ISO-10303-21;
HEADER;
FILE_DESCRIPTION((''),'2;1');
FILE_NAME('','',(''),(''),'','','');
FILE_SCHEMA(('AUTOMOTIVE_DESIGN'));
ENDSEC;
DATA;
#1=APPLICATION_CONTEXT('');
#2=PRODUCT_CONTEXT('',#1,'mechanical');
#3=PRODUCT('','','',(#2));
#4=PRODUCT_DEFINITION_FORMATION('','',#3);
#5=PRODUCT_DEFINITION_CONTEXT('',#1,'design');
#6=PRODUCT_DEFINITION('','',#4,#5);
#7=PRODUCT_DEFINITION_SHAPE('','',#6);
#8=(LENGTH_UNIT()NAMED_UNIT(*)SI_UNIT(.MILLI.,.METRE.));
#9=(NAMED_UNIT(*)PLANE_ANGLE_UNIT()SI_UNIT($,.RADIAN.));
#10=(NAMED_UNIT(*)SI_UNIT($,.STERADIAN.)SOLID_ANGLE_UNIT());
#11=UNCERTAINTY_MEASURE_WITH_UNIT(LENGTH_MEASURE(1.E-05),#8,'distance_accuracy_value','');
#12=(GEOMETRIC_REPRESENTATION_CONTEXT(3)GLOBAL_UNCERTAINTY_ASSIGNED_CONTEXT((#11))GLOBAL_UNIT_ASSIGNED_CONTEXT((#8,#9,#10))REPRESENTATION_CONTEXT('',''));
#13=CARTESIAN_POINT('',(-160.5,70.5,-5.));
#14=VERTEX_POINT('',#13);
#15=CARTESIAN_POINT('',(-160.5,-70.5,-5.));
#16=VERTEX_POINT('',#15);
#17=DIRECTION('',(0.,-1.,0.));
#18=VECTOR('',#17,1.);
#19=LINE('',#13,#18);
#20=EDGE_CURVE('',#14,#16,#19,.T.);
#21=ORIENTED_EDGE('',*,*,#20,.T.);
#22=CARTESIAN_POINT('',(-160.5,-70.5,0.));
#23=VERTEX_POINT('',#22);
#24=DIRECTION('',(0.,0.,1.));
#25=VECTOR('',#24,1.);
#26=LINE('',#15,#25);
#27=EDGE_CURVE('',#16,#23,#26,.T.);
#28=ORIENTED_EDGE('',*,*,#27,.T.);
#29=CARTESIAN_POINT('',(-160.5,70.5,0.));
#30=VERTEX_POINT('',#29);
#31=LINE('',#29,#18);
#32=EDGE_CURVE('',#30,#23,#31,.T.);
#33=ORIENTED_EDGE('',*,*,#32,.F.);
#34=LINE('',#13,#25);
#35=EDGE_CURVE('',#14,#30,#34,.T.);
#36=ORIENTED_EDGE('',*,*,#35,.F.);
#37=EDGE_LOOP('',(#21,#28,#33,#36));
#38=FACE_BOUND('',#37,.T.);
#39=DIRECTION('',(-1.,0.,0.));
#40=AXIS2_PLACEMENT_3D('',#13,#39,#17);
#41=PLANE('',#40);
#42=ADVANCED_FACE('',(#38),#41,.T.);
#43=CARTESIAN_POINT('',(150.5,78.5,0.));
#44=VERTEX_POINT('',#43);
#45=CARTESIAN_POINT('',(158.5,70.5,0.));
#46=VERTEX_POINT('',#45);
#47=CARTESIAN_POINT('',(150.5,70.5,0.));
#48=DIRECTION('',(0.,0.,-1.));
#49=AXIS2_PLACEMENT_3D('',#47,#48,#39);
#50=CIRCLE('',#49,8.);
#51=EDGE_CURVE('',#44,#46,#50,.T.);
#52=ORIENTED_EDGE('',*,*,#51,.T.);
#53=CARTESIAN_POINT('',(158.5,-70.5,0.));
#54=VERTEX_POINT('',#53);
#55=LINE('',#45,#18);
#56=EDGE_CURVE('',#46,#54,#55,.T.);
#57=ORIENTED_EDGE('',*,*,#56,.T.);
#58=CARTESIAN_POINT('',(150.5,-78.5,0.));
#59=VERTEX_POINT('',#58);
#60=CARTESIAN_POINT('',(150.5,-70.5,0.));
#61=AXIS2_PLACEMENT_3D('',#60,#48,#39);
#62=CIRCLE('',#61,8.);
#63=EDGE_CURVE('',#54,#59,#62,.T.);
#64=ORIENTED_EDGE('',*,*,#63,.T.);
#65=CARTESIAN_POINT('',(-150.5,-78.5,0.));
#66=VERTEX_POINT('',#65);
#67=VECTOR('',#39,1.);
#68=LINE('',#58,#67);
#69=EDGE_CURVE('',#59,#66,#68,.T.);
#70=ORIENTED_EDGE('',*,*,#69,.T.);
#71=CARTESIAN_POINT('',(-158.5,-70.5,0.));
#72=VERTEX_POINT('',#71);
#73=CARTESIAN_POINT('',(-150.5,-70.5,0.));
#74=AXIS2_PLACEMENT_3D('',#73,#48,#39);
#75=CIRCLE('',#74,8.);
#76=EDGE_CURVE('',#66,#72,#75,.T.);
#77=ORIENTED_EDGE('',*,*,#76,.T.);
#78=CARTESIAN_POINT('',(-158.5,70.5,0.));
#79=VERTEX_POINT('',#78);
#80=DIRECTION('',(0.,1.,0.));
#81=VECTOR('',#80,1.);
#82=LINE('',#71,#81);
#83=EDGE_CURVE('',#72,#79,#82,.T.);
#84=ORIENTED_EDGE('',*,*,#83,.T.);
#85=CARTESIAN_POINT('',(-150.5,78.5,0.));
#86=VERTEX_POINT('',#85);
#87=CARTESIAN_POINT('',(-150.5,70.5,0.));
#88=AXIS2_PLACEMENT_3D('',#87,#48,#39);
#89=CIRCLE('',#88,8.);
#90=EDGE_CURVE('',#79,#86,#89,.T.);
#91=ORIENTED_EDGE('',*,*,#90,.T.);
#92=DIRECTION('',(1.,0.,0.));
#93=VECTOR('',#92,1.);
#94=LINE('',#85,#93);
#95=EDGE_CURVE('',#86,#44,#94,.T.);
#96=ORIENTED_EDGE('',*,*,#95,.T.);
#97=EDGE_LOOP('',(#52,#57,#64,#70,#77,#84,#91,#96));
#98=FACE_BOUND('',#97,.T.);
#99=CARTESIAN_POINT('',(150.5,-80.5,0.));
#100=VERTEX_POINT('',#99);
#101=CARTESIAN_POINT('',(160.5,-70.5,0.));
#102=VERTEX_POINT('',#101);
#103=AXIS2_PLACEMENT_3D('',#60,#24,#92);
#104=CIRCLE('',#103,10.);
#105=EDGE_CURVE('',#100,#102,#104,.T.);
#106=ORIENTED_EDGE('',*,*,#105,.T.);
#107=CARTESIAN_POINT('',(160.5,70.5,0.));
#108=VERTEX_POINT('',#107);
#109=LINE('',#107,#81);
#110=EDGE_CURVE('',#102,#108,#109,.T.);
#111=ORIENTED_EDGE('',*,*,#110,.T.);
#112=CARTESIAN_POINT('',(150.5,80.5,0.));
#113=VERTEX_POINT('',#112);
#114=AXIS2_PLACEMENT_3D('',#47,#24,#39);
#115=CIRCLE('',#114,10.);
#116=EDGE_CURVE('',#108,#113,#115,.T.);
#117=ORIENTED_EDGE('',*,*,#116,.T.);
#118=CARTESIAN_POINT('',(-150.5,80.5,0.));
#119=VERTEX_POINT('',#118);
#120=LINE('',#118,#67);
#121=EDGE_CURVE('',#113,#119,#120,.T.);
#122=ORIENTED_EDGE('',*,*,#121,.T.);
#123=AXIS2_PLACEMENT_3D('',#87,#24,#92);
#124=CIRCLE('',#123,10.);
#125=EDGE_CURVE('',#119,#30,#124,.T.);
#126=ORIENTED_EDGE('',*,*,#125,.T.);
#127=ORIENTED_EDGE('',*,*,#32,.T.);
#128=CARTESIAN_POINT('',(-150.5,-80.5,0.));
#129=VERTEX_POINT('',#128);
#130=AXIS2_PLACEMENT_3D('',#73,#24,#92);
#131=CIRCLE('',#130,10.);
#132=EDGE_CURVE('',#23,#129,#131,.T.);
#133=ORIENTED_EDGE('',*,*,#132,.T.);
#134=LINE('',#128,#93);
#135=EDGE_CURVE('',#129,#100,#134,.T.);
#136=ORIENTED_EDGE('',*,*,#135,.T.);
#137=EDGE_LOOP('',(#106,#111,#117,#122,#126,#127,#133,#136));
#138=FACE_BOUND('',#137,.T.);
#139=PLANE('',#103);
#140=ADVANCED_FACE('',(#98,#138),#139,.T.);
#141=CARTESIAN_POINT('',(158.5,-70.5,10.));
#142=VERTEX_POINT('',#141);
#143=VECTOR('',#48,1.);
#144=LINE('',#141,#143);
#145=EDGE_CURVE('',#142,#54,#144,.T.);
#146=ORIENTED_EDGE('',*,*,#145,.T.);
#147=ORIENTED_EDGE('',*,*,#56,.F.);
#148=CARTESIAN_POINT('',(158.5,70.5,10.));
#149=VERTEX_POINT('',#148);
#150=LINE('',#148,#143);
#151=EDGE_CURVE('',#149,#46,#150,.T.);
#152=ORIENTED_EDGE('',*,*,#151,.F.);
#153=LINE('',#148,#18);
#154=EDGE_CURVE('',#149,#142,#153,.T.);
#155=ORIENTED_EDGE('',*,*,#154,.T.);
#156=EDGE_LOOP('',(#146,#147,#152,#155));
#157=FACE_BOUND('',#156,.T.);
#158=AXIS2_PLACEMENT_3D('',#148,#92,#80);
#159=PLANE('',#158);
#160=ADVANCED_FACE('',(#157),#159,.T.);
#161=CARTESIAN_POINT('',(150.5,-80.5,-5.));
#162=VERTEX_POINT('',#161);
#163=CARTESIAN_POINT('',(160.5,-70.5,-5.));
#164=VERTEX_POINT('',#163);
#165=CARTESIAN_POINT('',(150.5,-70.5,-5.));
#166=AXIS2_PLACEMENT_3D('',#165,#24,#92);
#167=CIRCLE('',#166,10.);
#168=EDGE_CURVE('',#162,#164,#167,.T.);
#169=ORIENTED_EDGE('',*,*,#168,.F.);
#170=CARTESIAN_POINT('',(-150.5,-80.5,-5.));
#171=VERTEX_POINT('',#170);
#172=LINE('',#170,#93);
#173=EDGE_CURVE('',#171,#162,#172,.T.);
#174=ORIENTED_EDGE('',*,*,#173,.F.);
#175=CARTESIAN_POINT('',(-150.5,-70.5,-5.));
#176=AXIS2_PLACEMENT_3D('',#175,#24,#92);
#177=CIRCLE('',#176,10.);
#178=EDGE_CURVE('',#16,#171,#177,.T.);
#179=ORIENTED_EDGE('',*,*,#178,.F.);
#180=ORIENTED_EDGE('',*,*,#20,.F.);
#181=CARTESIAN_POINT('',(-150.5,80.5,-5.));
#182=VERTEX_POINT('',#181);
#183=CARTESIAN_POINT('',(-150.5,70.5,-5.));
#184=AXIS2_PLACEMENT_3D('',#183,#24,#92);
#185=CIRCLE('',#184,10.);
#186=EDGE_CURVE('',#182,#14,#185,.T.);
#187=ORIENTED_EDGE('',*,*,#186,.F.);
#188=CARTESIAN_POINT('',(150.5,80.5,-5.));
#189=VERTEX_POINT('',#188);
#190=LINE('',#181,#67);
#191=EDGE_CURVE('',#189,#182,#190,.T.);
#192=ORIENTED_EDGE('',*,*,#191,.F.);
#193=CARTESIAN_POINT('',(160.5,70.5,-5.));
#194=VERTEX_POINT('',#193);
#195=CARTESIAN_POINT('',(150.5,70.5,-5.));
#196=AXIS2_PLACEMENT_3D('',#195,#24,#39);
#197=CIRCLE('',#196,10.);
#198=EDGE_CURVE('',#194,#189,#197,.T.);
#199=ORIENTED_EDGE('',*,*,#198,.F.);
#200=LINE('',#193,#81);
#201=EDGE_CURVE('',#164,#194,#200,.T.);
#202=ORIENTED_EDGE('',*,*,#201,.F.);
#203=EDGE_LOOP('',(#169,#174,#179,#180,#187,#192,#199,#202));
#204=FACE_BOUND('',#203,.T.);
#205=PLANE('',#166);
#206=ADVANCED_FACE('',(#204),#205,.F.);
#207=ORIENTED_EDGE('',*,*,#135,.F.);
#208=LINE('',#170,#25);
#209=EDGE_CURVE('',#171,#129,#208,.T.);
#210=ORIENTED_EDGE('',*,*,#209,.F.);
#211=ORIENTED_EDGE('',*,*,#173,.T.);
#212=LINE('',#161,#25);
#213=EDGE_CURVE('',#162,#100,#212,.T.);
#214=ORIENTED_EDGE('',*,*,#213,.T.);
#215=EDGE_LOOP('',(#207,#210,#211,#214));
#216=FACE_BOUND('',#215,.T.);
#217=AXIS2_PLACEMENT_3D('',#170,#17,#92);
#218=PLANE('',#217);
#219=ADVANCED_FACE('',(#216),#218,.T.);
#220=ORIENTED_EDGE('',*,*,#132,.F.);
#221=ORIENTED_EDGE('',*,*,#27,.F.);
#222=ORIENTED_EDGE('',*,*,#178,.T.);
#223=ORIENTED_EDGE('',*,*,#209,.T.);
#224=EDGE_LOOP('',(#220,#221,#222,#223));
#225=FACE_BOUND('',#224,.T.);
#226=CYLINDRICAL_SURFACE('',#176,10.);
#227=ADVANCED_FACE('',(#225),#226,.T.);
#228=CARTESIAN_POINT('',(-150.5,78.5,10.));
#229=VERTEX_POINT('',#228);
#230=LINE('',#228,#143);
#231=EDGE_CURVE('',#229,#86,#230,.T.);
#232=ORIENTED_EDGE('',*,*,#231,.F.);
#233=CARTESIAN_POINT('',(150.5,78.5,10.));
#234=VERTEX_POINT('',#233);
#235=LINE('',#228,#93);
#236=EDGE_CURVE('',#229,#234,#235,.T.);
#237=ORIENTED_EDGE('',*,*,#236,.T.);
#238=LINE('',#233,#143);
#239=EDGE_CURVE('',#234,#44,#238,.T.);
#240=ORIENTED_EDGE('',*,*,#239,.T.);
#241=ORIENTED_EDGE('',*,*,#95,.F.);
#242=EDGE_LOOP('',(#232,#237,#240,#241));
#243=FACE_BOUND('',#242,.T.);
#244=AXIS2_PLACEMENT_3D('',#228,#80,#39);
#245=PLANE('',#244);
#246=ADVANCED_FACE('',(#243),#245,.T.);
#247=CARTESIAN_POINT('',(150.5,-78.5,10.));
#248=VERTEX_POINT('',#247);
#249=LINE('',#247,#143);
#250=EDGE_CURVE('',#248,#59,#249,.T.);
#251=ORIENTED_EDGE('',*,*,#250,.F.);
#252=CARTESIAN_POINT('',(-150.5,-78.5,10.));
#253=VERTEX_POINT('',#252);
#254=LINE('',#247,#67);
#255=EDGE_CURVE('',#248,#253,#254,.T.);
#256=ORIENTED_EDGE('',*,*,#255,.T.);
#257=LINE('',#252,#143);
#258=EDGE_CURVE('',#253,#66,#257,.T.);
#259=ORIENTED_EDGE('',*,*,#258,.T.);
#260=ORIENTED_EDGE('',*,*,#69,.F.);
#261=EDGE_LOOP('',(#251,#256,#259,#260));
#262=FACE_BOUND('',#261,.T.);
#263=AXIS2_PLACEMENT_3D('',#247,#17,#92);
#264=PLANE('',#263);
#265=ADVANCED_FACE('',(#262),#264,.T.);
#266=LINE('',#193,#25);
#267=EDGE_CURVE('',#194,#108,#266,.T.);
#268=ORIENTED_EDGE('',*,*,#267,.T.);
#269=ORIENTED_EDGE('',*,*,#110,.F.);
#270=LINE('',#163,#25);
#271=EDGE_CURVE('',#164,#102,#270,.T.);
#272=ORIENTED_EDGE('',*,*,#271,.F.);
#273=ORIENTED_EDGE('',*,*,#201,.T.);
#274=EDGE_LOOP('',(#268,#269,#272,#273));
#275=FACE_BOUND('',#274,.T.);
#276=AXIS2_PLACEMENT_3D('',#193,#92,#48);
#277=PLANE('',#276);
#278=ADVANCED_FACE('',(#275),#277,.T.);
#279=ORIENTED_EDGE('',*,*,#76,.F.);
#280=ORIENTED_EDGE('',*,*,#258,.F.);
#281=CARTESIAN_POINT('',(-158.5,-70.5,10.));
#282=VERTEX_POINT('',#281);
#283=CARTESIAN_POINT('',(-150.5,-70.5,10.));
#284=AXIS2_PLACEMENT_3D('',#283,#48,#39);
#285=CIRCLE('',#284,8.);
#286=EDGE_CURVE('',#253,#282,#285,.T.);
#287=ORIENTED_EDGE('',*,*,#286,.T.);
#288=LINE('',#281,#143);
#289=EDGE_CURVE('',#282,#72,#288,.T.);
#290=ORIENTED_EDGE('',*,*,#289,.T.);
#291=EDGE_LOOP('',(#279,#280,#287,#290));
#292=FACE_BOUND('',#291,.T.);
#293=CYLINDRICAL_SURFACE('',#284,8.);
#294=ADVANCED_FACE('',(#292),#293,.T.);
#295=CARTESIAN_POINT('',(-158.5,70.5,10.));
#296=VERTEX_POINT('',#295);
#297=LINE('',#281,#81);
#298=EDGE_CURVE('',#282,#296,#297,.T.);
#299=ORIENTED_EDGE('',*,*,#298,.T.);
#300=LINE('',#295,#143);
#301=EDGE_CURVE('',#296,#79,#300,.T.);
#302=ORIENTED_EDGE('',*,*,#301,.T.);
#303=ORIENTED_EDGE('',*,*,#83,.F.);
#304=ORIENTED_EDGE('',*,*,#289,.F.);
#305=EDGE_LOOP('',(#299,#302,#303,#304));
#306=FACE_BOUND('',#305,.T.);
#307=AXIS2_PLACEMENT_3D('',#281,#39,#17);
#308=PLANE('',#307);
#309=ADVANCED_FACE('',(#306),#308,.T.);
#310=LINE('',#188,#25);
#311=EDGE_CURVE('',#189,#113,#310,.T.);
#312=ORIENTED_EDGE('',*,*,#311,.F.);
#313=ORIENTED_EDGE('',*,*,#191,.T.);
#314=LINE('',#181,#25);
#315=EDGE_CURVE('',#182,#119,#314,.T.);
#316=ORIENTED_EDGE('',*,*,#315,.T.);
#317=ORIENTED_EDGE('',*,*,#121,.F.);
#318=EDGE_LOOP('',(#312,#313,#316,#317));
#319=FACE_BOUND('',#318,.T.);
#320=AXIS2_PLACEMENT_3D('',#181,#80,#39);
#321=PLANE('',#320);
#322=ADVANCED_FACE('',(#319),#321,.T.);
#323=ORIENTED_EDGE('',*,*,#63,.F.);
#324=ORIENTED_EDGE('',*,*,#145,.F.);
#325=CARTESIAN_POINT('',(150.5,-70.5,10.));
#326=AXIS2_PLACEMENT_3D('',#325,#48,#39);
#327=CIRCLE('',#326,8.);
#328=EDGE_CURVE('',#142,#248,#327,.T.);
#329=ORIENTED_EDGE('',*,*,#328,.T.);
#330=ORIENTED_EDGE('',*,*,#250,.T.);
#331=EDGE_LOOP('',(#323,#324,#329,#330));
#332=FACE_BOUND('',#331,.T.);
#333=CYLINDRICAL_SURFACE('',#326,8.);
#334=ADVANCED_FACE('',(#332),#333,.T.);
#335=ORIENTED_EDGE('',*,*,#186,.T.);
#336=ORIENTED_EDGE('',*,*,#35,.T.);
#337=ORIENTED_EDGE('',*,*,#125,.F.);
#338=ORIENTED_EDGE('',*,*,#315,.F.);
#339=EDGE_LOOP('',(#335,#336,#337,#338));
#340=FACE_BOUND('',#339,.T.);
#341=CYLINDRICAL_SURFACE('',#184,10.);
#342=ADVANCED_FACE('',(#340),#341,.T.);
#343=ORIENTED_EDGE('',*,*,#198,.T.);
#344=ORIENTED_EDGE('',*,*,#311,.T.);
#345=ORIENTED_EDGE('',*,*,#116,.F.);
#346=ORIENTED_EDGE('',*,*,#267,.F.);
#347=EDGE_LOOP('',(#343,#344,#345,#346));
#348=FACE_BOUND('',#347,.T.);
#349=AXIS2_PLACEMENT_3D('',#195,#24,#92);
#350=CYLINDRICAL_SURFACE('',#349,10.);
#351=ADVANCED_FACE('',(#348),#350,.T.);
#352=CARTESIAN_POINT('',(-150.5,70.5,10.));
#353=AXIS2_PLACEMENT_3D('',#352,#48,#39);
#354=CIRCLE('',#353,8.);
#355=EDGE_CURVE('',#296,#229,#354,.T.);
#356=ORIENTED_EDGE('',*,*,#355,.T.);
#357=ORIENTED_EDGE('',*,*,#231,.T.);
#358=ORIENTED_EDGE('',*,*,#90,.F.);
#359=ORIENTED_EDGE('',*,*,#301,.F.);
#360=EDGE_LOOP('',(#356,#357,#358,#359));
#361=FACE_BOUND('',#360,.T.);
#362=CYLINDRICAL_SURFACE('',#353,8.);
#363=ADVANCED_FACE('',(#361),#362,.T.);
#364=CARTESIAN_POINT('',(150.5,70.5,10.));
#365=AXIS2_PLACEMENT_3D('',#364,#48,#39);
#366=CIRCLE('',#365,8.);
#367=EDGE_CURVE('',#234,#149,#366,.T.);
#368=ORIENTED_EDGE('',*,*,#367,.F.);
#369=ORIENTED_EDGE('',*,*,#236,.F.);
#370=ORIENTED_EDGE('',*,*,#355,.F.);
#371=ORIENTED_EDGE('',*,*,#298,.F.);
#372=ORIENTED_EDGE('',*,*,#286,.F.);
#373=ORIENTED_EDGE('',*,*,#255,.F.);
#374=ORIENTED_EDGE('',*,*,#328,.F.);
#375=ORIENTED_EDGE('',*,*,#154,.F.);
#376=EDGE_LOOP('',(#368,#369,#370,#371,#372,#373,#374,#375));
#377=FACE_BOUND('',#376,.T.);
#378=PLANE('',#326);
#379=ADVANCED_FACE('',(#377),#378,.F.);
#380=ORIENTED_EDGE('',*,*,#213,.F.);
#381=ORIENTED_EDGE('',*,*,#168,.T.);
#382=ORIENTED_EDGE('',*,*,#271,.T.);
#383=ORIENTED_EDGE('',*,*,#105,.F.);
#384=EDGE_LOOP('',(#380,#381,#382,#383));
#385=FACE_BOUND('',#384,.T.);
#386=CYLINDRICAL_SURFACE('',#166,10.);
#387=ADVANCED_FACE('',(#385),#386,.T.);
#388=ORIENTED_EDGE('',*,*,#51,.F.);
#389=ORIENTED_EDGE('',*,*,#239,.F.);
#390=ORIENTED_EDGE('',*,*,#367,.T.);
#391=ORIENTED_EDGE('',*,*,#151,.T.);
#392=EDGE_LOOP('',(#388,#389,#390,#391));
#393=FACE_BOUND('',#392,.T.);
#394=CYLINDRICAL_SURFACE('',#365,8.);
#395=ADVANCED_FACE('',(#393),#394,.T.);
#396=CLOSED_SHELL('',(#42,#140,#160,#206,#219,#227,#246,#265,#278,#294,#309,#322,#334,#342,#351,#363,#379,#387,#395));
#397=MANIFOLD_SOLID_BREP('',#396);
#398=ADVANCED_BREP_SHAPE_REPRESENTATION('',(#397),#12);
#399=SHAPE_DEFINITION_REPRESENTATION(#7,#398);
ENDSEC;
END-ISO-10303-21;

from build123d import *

# Parameters (mm, degrees)
BOSS_EXTRUDE2_DEPTH = 5
EXTRUDE_1_DEPTH     = 10


with BuildPart() as part:
    # Sketch3 → Boss-Extrude2 (new body)
    with BuildSketch(Plane.XY):
        with BuildLine():
            Line((-150.5, 80.5), (150.5, 80.5))
            ThreePointArc((150.5, 80.5), (157.571067812, 77.571067812), (160.5, 70.5))
            Line((160.5, 70.5), (160.5, -70.5))
            ThreePointArc((160.5, -70.5), (157.571067812, -77.571067812), (150.5, -80.5))
            Line((150.5, -80.5), (-150.5, -80.5))
            ThreePointArc((-150.5, -80.5), (-157.571067812, -77.571067812), (-160.5, -70.5))
            Line((-160.5, -70.5), (-160.5, 70.5))
            ThreePointArc((-160.5, 70.5), (-157.571067812, 77.571067812), (-150.5, 80.5))
        make_face()
    extrude(amount=-BOSS_EXTRUDE2_DEPTH)

    # Эскиз1 → Бобышка-Вытянуть1 (add)
    with BuildSketch(Plane(origin=(0, 0, 0), x_dir=(-1, 0, 0), z_dir=(0, 0, -1))):
        with BuildLine():
            Line((-150.5, -78.5), (150.5, -78.5))
            ThreePointArc((150.5, -78.5), (156.156854249, -76.156854249), (158.5, -70.5))
            Line((158.5, -70.5), (158.5, 70.5))
            ThreePointArc((158.5, 70.5), (156.156854249, 76.156854249), (150.5, 78.5))
            Line((150.5, 78.5), (-150.5, 78.5))
            ThreePointArc((-150.5, 78.5), (-156.156854249, 76.156854249), (-158.5, 70.5))
            Line((-158.5, 70.5), (-158.5, -70.5))
            ThreePointArc((-158.5, -70.5), (-156.156854249, -76.156854249), (-150.5, -78.5))
        make_face()
    extrude(amount=-EXTRUDE_1_DEPTH)


solid = part.part
